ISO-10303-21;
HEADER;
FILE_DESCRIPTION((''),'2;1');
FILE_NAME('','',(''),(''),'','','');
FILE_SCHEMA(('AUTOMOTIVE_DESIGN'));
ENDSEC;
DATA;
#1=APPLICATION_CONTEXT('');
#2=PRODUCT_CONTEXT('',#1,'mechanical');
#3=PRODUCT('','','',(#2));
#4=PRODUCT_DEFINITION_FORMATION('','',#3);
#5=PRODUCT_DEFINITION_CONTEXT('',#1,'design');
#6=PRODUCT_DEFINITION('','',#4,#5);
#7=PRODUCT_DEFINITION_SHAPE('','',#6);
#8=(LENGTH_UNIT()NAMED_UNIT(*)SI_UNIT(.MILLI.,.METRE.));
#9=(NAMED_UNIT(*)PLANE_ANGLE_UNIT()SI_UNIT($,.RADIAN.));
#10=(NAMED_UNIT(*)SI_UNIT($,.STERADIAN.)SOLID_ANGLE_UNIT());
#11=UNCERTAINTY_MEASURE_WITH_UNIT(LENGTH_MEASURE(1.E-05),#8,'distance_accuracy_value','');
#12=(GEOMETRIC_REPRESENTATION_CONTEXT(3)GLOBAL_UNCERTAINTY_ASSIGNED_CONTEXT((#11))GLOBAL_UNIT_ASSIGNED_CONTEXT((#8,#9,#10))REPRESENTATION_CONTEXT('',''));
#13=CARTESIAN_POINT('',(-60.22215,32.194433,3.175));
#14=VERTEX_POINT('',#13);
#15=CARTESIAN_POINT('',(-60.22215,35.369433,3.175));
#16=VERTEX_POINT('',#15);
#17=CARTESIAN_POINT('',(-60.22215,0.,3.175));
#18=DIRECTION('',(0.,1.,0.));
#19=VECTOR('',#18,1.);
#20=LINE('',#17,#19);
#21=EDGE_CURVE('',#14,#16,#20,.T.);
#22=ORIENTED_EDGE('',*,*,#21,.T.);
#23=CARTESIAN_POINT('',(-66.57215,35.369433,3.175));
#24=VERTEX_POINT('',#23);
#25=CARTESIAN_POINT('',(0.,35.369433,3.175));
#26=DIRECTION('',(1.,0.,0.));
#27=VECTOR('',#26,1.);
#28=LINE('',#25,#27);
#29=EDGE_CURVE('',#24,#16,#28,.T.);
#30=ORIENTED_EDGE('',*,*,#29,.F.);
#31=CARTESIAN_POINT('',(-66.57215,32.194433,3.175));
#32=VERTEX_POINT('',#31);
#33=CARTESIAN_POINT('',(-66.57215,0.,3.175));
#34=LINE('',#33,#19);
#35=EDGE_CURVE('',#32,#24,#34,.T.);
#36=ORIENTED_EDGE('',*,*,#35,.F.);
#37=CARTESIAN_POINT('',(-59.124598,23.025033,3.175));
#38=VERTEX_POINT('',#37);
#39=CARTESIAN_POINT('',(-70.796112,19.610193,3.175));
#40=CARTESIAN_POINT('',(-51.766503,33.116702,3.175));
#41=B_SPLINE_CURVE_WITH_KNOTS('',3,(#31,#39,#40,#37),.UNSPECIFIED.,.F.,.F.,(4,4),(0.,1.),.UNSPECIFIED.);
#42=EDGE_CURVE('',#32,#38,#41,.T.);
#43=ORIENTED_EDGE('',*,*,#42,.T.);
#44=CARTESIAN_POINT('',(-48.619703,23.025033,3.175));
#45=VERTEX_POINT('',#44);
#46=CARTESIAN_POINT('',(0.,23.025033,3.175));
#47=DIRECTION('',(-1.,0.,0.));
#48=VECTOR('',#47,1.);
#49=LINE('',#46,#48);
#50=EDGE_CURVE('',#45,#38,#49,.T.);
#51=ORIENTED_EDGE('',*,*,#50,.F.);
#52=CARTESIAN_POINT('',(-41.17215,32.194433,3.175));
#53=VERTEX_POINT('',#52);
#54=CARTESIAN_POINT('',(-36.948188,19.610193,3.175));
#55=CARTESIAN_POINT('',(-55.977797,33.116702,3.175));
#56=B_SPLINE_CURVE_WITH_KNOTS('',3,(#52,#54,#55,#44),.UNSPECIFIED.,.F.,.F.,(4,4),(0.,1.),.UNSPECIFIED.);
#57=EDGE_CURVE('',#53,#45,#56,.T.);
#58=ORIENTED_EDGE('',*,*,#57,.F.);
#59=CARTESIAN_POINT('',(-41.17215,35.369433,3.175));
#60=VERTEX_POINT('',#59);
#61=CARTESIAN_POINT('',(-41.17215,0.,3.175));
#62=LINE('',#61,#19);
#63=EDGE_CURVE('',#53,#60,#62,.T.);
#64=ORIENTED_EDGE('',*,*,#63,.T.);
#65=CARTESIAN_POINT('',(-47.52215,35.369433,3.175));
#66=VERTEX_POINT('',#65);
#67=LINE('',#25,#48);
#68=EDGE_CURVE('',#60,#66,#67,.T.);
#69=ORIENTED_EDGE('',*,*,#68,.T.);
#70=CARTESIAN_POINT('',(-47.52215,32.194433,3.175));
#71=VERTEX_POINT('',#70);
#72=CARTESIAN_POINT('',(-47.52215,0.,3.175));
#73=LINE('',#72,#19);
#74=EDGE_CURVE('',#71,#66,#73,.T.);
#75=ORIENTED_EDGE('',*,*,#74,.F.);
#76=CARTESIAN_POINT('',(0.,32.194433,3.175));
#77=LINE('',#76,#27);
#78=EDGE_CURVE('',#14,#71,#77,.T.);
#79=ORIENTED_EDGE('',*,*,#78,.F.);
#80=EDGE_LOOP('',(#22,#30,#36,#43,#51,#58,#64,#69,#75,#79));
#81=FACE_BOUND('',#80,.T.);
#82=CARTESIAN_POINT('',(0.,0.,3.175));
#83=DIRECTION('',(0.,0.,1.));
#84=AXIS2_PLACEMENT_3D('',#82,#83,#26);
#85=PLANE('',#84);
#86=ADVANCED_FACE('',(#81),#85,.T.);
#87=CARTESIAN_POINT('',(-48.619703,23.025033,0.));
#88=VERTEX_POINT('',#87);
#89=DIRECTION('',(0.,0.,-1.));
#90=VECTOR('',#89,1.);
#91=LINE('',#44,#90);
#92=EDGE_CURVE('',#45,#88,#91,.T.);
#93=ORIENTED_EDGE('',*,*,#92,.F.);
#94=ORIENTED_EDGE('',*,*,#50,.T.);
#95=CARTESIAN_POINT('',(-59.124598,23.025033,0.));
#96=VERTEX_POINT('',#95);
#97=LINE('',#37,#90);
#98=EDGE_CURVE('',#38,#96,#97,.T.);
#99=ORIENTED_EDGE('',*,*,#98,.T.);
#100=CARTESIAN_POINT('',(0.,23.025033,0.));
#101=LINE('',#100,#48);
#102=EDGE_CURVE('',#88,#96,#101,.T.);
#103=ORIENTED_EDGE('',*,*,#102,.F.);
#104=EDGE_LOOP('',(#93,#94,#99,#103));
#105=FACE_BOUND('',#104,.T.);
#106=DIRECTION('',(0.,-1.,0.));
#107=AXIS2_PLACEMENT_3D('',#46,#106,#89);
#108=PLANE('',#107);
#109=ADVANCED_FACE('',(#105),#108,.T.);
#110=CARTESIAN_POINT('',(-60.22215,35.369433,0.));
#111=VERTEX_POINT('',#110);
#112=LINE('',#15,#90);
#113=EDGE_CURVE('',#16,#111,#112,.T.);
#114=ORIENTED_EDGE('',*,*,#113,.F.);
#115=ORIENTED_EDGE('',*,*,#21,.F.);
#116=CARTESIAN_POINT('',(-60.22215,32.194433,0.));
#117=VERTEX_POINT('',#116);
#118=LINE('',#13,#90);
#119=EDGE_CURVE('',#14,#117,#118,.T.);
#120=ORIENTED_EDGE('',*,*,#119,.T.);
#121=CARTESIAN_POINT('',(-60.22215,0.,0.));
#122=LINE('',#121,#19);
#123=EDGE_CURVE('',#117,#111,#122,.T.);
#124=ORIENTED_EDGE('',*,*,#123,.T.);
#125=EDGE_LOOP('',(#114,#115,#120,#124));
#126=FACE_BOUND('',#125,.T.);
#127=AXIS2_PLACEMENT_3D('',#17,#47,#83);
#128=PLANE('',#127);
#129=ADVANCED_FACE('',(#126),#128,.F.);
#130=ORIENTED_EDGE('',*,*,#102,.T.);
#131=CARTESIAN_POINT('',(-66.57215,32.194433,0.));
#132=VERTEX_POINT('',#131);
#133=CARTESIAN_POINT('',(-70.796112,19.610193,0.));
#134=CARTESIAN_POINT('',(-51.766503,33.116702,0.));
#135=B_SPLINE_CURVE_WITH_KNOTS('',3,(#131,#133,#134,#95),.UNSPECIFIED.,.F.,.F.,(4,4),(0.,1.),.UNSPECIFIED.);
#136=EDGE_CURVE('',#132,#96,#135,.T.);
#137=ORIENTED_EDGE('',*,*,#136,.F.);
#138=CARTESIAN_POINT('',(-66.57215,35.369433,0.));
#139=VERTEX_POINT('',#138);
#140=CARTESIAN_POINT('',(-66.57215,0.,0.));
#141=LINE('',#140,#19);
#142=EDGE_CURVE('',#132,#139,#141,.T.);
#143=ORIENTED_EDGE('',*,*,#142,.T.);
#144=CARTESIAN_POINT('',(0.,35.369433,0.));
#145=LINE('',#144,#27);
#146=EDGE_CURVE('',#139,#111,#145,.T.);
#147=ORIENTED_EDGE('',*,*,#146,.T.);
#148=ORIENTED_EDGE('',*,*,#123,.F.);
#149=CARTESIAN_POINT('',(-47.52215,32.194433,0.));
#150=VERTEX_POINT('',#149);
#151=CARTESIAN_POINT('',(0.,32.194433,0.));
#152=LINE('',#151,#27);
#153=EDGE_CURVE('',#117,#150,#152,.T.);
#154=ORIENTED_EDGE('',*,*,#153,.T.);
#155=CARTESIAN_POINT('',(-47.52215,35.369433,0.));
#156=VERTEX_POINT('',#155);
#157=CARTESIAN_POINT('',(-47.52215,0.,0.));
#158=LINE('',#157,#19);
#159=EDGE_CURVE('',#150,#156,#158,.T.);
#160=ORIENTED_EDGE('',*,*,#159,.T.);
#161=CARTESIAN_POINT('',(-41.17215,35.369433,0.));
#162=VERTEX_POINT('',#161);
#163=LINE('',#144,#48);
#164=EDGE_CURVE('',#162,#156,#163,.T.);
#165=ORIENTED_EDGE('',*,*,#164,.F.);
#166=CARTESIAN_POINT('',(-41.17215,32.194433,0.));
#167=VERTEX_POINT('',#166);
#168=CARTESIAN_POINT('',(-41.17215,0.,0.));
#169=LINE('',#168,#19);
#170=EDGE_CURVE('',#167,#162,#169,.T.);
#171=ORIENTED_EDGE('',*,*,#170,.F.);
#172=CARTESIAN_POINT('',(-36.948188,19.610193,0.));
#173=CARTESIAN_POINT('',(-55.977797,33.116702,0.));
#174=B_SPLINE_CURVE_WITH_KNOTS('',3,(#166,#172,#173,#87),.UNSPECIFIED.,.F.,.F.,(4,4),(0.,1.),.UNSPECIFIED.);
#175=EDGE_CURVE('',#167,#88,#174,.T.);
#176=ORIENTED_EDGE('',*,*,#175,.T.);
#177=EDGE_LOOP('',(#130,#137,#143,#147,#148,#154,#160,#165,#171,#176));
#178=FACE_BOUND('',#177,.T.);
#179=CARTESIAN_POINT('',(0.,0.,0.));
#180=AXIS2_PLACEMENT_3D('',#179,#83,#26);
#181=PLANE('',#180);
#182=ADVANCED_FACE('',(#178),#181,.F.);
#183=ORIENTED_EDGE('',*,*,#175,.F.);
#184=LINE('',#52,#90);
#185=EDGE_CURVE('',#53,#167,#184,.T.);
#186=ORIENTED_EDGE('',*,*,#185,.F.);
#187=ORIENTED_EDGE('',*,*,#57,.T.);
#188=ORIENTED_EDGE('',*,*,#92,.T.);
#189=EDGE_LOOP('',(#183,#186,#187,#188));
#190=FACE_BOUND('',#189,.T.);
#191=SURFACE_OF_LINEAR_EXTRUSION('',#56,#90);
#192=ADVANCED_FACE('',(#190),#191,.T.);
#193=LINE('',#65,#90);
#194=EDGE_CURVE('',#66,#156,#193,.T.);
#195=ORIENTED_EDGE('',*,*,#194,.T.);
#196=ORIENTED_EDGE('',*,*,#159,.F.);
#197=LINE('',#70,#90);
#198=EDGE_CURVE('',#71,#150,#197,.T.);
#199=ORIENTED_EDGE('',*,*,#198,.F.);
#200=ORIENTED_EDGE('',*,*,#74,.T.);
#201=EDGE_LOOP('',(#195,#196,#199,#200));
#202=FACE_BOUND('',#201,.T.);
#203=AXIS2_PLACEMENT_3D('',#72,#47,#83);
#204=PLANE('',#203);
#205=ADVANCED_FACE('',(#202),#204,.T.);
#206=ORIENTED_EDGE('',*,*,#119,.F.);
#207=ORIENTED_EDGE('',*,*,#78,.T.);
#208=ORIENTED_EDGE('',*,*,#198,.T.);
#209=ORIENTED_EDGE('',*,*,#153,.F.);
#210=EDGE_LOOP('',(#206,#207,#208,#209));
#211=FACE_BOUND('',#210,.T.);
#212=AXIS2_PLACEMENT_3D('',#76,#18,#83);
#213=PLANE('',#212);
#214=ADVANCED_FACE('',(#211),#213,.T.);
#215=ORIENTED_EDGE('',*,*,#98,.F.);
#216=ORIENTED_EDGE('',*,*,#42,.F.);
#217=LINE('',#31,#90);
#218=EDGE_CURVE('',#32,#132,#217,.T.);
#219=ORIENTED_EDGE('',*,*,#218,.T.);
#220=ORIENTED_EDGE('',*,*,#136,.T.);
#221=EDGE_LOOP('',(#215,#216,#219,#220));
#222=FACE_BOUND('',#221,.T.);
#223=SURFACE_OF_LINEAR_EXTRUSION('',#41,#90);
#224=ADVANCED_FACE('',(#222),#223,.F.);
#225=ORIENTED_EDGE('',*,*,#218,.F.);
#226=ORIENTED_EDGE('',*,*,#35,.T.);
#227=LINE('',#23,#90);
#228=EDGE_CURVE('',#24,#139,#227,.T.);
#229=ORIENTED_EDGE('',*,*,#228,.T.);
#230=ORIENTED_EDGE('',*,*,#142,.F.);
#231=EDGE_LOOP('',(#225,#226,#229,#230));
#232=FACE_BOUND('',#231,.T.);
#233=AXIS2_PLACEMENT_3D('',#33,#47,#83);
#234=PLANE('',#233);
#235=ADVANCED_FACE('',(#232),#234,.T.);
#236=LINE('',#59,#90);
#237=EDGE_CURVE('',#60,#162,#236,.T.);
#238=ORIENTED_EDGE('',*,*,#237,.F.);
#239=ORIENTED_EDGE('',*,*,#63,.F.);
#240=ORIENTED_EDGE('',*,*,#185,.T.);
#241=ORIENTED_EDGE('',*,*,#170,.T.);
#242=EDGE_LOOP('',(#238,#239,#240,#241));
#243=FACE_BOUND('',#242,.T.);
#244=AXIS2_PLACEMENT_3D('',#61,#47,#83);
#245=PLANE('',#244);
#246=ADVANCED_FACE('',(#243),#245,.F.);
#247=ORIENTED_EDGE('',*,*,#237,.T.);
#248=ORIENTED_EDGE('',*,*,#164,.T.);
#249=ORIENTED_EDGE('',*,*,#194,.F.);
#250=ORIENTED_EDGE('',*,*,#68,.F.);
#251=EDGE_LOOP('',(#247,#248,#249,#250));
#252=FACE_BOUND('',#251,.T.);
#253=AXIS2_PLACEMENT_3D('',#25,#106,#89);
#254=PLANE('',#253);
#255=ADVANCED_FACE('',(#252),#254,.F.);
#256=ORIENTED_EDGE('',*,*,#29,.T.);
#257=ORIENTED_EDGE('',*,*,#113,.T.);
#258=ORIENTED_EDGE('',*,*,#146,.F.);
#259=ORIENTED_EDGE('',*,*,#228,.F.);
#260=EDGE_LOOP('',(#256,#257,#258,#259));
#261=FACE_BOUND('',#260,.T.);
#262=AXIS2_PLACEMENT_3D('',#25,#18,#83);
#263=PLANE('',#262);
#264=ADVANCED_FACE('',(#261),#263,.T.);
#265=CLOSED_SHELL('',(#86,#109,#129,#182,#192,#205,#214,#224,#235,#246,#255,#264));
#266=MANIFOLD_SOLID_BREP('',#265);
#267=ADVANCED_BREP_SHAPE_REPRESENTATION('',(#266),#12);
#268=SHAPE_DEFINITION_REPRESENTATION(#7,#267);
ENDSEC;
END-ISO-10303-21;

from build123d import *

# Parameters (mm, degrees)
SKETCH1_W           = 6.35
SKETCH1_H           = 3.175
BOSS_EXTRUDE1_DEPTH = 3.175


with BuildPart() as part:
    # Sketch1 → Boss-Extrude1 (new body)
    with BuildSketch(Plane.XY):
        with Locations((-63.39715008, 33.781933128)):
            Rectangle(SKETCH1_W, SKETCH1_H)
        with BuildLine():
            Line((-60.22215008, 32.194433128), (-66.57215008, 32.194433128))
            add(Edge.make_bspline(
                [(-66.57215008, 32.194433128), (-70.796112031, 19.610192525), (-51.766503484, 33.116701814), (-59.124597577, 23.025033128)],
                knots=[0, 0, 0, 0, 1, 1, 1, 1], degree=3))
            Line((-59.124597577, 23.025033128), (-48.619702582, 23.025033128))
            add(Edge.make_bspline(
                [(-41.17215008, 32.194433128), (-36.948188128, 19.610192525), (-55.977796675, 33.116701814), (-48.619702582, 23.025033128)],
                knots=[0, 0, 0, 0, 1, 1, 1, 1], degree=3))
            Line((-41.17215008, 32.194433128), (-47.52215008, 32.194433128))
            Line((-47.52215008, 32.194433128), (-60.22215008, 32.194433128))
        make_face()
        with Locations((-44.34715008, 33.781933128)):
            Rectangle(SKETCH1_W, SKETCH1_H)
    extrude(amount=BOSS_EXTRUDE1_DEPTH)


solid = part.part
